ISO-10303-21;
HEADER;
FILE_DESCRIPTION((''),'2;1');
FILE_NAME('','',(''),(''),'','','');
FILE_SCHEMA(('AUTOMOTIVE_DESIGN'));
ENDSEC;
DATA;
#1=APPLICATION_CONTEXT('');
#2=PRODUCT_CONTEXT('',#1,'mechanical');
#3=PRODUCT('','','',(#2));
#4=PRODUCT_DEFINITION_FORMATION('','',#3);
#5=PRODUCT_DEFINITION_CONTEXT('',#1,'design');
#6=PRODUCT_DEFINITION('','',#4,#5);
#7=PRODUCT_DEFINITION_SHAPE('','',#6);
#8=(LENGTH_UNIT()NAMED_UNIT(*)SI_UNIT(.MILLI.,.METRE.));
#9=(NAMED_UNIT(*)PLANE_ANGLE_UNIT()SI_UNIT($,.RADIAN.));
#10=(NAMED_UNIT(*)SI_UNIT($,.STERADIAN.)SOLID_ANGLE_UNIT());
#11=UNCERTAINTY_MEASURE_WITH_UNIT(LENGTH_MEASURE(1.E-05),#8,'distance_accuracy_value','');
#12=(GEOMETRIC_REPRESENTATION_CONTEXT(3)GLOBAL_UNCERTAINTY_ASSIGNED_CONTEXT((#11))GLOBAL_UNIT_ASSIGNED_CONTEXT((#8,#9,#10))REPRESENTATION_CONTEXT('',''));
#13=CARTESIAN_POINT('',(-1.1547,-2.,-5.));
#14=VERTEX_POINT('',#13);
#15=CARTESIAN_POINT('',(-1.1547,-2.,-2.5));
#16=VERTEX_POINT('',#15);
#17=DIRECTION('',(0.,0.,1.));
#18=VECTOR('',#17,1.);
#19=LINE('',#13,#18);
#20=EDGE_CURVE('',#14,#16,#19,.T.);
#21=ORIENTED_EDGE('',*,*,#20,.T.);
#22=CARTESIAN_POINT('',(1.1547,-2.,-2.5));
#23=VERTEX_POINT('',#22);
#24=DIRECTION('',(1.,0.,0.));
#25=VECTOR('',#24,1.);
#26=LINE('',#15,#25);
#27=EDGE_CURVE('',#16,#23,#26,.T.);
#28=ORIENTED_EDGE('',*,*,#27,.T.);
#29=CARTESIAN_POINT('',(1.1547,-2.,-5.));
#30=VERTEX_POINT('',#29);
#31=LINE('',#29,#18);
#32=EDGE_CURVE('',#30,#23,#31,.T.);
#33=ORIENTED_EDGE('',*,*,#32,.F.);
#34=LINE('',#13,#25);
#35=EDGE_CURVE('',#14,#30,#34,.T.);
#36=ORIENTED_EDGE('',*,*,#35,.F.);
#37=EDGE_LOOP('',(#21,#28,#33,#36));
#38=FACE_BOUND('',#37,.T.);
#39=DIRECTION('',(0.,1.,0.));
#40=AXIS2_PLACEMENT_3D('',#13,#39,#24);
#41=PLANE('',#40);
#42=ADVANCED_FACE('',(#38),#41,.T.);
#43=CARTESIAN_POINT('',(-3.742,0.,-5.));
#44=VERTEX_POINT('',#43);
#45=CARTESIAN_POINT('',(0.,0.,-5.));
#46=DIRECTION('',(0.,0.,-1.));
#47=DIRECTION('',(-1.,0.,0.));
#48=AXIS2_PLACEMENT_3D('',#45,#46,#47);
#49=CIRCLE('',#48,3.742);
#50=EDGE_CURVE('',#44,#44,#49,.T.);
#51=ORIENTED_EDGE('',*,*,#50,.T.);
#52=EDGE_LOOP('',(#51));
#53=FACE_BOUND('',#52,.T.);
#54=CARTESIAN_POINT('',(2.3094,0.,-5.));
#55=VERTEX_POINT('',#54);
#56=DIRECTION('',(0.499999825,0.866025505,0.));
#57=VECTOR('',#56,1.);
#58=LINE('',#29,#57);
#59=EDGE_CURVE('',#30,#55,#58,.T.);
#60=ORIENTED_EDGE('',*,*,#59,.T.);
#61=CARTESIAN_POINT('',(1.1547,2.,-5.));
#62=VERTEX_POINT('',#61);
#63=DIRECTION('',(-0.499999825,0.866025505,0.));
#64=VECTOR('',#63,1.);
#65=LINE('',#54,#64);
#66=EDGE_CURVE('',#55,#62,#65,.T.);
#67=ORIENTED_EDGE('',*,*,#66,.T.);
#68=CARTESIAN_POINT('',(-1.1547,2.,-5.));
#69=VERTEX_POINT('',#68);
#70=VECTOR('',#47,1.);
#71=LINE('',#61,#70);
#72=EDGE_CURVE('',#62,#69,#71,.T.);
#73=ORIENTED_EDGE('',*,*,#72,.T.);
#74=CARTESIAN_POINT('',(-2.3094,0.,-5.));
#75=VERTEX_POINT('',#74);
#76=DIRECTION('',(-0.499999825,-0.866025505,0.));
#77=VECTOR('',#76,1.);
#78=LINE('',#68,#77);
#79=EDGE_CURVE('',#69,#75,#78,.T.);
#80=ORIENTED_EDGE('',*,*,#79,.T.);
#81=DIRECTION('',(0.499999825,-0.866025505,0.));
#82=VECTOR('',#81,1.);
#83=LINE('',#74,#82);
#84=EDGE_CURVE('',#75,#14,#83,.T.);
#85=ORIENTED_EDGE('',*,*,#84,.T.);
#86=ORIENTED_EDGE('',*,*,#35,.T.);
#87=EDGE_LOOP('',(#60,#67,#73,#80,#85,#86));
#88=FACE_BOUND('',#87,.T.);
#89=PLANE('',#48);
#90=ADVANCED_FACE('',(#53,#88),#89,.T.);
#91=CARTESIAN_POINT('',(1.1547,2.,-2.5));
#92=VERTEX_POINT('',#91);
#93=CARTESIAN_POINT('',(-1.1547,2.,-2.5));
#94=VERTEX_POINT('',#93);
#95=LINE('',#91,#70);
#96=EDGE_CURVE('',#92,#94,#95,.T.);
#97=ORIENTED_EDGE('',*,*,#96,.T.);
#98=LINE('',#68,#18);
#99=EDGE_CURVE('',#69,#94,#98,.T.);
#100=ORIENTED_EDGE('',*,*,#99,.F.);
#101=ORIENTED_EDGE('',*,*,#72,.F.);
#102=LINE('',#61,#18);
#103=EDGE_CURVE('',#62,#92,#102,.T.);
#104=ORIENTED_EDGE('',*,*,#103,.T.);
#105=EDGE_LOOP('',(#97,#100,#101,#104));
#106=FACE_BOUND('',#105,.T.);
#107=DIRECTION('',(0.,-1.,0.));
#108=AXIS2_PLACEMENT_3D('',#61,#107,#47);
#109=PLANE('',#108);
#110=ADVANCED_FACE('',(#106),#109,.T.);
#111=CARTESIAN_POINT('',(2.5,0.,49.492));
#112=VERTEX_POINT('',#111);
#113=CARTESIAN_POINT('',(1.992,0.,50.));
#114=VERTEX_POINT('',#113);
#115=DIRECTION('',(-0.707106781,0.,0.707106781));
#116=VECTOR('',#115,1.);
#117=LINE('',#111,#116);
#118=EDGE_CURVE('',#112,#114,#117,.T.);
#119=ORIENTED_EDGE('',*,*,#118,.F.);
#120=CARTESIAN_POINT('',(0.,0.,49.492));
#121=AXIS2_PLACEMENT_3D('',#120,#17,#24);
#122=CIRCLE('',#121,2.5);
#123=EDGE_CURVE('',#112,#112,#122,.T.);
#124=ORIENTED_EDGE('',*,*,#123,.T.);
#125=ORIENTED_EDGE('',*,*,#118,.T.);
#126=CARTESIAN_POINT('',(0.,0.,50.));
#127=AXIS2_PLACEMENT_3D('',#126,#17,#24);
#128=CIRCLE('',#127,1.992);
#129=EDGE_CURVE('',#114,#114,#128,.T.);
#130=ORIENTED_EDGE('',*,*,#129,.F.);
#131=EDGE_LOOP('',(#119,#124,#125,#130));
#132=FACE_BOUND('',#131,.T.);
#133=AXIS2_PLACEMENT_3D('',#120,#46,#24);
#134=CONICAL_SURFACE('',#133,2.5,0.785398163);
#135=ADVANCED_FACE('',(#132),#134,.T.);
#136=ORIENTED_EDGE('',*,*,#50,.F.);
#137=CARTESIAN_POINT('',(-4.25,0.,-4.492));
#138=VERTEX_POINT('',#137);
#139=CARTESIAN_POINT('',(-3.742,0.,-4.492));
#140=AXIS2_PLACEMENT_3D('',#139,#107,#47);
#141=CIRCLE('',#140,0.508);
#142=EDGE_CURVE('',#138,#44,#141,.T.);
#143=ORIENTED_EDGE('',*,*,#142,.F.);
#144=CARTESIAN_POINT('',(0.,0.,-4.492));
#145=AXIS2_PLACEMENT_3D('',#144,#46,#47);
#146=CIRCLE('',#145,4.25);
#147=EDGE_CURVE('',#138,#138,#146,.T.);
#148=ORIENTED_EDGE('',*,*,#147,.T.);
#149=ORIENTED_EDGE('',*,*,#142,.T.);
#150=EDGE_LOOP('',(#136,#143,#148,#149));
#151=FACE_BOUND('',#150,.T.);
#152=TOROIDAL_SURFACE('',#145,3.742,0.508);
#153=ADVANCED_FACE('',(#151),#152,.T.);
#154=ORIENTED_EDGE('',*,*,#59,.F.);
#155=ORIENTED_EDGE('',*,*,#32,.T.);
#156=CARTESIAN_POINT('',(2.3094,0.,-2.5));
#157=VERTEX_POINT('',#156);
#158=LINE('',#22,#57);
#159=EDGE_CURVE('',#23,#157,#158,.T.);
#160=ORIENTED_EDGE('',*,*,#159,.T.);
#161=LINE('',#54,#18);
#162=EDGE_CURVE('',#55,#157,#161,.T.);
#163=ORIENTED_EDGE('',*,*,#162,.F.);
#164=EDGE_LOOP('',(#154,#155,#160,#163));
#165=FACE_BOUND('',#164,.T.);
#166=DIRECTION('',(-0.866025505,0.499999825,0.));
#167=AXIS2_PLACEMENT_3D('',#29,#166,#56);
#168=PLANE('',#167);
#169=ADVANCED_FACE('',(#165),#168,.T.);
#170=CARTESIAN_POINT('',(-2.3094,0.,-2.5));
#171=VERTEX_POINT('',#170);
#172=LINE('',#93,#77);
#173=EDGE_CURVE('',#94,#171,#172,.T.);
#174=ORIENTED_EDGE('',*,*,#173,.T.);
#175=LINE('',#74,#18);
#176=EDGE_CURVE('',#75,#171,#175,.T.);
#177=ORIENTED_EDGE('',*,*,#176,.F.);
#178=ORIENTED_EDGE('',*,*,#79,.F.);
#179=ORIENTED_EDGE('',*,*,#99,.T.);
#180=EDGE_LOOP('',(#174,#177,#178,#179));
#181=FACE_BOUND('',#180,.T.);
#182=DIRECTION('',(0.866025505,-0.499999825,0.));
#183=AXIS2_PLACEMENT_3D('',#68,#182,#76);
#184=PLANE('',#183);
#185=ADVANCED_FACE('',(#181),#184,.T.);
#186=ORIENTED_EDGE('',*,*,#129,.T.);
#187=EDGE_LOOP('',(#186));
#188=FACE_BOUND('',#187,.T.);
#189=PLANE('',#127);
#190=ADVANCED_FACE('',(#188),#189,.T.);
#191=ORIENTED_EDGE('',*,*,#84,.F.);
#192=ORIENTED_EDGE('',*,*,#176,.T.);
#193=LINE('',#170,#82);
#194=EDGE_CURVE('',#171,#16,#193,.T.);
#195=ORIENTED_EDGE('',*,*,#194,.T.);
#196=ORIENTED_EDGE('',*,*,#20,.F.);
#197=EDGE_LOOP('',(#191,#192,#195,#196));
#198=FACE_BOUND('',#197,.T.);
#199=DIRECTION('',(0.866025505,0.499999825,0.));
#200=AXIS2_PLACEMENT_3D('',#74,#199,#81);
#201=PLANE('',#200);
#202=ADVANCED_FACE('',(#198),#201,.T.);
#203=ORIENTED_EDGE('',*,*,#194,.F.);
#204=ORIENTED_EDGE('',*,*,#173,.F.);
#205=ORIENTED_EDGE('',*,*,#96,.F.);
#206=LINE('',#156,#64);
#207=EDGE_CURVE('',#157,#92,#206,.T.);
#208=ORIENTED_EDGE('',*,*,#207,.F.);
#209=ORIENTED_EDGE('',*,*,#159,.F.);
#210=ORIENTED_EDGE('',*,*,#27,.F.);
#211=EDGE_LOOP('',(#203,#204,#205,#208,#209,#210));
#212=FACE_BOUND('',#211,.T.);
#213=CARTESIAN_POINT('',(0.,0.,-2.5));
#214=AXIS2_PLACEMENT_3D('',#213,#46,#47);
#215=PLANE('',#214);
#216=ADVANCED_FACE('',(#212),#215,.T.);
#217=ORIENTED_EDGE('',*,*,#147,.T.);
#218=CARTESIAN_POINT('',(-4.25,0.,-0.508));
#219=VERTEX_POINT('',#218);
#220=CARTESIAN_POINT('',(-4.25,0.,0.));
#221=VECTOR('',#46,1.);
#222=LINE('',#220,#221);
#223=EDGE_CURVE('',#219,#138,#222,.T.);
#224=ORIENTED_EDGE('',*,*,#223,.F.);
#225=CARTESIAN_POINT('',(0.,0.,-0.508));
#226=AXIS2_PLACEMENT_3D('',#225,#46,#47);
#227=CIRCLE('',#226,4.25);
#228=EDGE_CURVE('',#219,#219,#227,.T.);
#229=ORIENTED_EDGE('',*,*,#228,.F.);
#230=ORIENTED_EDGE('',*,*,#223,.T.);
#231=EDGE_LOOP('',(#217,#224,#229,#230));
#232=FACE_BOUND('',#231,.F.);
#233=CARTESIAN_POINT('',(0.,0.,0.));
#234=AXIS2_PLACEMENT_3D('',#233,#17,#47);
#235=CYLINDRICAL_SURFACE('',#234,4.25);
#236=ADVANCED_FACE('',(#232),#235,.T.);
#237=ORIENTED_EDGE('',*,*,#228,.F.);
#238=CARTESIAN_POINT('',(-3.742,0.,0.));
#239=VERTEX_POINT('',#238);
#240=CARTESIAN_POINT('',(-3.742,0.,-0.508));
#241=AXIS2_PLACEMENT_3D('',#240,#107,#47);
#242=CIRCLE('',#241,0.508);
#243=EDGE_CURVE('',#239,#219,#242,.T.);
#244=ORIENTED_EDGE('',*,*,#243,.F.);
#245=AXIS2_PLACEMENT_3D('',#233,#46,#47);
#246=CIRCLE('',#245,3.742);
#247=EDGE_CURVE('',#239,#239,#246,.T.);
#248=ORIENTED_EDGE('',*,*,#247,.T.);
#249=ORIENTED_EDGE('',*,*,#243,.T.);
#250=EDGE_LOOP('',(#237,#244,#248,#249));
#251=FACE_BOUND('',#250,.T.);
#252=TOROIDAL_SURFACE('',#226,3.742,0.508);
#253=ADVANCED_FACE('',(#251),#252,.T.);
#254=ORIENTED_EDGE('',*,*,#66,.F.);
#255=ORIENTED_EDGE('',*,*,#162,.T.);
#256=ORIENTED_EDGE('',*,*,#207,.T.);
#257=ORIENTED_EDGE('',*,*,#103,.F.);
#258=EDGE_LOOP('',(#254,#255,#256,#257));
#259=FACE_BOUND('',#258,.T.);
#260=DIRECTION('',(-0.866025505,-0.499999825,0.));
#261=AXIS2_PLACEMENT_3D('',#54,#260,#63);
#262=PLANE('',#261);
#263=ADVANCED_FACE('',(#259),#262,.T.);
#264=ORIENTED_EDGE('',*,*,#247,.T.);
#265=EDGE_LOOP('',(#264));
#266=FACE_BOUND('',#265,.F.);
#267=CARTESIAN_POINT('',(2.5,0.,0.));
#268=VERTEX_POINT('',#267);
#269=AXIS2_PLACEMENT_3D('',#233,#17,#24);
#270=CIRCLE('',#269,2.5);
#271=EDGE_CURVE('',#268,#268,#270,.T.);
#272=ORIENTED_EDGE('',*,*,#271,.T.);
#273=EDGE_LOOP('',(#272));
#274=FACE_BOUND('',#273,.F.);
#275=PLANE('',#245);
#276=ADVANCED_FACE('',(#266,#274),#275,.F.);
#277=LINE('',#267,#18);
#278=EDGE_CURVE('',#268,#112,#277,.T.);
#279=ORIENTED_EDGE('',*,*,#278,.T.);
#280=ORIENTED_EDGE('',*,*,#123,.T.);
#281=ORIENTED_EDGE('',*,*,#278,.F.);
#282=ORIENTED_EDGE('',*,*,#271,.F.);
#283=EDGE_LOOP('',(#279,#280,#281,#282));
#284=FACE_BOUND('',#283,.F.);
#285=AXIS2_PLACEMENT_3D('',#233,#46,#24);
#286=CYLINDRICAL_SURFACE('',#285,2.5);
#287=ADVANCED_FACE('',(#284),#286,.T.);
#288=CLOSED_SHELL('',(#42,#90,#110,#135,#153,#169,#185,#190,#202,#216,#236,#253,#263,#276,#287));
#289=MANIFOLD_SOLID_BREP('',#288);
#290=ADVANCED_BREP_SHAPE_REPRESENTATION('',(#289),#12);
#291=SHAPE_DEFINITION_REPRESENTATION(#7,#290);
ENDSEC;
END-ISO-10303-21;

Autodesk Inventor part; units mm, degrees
ref_plane "YZ Plane" through (0, 0, 0) normal (1, 0, 0) x (0, 1, 0)
ref_plane "XZ Plane" through (0, 0, 0) normal (0, 1, 0) x (-1, 0, 0)
ref_plane "XY Plane" through (0, 0, 0) normal (0, 0, 1) x (1, 0, 0)
sketch "Sketch1" plane through (0, 0, 0) normal (0, 0, 1) x (1, 0, 0)
  circle A0 centre (0, 0) radius 2.5
  dimension "d0" = 5
extrude "Extrusion1" add sketch "Sketch1" along normal blind 50
sketch "Sketch2" plane through (0, 0, 0) normal (0, 0, -1) x (-1, 0, 0)
  circle A0 centre (0, 0) radius 2.5 projected
  circle A1 centre (0, 0) radius 4.25
  dimension "d3" = 8.5
extrude "Extrusion2" add sketch "Sketch2" along normal blind 5 contours A0 | A1
sketch "Sketch3" plane through (0, 0, -5) normal (0, 0, -1) x (-1, 0, 0)
  circle A0 centre (0, 0) radius 4.25 projected
  line L0 (-1.1547, 2) -> (1.1547, 2)
  line L1 (1.1547, 2) -> (2.3094, 0)
  line L2 (2.3094, 0) -> (1.1547, -2)
  line L3 (1.1547, -2) -> (-1.1547, -2)
  line L4 (-1.1547, -2) -> (-2.3094, 0)
  line L5 (-2.3094, 0) -> (-1.1547, 2)
  dimension "d6" = 4
extrude "Extrusion3" cut sketch "Sketch3" against normal blind 2.5 contours L0 L1 L2 L3 L4 L5
thread "Thread1" size "12-24 UNC" class "2A" standard "ANSI Unified Screw Threads" length 22
chamfer "Chamfer1" distance 0.508 angle 45 1 edges at (-2.5, 0, 50)
fillet "Fillet1" radius 0.508 2 edges at (4.25, 0, -5) (4.25, 0, 0)
properties part number "m5 x50" material "Steel"
